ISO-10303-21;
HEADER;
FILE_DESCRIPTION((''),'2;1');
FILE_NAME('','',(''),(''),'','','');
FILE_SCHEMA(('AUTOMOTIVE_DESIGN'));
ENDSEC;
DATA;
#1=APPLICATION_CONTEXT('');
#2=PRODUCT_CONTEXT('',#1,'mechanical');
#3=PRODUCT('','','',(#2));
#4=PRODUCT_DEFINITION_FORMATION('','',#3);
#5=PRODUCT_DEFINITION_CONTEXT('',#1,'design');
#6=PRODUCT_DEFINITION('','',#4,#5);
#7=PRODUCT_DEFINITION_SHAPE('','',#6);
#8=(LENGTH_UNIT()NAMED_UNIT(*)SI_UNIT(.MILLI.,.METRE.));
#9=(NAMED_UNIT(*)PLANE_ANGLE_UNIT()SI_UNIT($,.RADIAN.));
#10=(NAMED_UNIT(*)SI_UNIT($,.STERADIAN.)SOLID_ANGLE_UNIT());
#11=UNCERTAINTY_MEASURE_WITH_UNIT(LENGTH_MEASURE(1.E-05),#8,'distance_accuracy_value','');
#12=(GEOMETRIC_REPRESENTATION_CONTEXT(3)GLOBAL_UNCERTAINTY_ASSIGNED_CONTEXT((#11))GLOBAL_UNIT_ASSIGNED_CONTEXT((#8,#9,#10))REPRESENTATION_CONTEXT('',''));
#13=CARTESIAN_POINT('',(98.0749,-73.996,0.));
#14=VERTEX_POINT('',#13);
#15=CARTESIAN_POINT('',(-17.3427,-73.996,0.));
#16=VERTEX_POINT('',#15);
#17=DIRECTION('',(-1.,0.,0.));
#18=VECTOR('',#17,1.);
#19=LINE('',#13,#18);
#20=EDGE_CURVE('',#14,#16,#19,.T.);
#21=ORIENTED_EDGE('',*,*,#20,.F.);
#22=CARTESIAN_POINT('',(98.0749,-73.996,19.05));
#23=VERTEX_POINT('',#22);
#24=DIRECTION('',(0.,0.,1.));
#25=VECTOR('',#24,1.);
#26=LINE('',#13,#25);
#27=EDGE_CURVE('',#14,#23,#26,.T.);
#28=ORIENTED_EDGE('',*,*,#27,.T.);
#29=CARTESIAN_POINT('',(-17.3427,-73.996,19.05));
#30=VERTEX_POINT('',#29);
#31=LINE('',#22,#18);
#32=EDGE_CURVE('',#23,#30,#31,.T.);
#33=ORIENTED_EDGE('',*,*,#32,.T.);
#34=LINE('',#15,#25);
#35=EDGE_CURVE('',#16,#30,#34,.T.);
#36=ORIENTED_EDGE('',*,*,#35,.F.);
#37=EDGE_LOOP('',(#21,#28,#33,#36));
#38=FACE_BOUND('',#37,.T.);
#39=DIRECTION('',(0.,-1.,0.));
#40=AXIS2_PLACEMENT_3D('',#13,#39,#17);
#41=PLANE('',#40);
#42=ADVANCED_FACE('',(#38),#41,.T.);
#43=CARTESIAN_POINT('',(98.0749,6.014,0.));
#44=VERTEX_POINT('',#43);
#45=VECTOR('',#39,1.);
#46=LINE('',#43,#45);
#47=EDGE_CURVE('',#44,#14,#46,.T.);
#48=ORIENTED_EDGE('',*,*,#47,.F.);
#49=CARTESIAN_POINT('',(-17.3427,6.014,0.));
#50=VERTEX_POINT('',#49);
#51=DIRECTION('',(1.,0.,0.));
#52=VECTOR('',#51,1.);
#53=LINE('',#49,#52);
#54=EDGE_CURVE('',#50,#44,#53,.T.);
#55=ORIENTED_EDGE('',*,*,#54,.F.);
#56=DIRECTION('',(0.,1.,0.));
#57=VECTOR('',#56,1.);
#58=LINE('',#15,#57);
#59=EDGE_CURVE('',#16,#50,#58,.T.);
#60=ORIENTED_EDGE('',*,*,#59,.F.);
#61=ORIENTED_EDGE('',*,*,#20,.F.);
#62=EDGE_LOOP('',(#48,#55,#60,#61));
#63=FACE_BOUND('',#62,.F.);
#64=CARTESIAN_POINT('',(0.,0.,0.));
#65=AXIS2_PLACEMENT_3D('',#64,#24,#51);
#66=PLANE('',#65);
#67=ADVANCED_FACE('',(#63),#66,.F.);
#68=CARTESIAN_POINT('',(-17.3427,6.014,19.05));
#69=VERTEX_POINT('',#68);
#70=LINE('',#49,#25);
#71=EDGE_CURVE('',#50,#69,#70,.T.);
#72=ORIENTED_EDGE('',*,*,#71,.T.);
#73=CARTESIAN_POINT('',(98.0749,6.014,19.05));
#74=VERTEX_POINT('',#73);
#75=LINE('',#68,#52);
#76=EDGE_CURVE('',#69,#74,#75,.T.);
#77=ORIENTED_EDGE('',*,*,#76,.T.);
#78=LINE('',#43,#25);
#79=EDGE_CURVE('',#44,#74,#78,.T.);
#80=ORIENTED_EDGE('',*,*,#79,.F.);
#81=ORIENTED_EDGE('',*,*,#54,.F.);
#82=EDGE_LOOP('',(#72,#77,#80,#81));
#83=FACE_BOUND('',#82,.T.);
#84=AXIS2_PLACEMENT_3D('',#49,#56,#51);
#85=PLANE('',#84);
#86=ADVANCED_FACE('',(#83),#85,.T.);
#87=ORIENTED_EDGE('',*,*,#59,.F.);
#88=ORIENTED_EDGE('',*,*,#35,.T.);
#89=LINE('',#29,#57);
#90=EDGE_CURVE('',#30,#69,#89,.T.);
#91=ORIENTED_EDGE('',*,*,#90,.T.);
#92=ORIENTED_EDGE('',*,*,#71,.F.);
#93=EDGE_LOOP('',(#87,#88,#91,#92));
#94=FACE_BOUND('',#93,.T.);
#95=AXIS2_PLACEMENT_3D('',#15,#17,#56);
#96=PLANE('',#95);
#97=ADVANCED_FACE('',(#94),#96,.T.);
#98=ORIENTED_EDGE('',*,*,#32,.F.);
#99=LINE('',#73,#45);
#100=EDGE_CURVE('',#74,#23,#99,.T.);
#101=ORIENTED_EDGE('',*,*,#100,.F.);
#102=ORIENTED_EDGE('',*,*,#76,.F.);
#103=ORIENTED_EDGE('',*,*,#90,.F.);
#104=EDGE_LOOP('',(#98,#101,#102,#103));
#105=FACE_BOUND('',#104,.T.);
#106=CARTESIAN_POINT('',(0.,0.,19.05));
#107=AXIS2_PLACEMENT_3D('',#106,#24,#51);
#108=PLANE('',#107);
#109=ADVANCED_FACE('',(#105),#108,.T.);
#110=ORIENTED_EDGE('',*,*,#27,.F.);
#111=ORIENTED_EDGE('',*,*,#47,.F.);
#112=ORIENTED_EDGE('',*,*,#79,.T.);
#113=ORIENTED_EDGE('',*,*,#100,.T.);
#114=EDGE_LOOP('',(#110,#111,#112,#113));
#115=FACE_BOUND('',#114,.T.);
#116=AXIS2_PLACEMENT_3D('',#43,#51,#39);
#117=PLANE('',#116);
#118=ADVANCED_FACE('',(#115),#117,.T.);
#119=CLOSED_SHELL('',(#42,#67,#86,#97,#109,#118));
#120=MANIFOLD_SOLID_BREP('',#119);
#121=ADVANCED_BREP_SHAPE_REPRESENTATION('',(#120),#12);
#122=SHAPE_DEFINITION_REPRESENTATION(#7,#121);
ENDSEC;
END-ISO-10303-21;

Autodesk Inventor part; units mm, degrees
ref_plane "YZ Plane" through (0, 0, 0) normal (1, 0, 0) x (0, 1, 0)
ref_plane "XZ Plane" through (0, 0, 0) normal (0, 1, 0) x (-1, 0, 0)
ref_plane "XY Plane" through (0, 0, 0) normal (0, 0, 1) x (1, 0, 0)
sketch "Sketch1" plane through (0, 0, 0) normal (0, 0, 1) x (1, 0, 0)
  line L0 (-17.3427, 6.014) -> (98.0749, 6.014)
  line L1 (98.0749, 6.014) -> (98.0749, -73.996)
  line L2 (98.0749, -73.996) -> (-17.3427, -73.996)
  line L3 (-17.3427, -73.996) -> (-17.3427, 6.014)
  point P0 (0, 0)
  dimension "d0" = 115.4176
  dimension "d1" = 80.01
extrude "Extrusion1" add sketch "Sketch1" along normal blind 19.05
properties part number "z moving plate"
